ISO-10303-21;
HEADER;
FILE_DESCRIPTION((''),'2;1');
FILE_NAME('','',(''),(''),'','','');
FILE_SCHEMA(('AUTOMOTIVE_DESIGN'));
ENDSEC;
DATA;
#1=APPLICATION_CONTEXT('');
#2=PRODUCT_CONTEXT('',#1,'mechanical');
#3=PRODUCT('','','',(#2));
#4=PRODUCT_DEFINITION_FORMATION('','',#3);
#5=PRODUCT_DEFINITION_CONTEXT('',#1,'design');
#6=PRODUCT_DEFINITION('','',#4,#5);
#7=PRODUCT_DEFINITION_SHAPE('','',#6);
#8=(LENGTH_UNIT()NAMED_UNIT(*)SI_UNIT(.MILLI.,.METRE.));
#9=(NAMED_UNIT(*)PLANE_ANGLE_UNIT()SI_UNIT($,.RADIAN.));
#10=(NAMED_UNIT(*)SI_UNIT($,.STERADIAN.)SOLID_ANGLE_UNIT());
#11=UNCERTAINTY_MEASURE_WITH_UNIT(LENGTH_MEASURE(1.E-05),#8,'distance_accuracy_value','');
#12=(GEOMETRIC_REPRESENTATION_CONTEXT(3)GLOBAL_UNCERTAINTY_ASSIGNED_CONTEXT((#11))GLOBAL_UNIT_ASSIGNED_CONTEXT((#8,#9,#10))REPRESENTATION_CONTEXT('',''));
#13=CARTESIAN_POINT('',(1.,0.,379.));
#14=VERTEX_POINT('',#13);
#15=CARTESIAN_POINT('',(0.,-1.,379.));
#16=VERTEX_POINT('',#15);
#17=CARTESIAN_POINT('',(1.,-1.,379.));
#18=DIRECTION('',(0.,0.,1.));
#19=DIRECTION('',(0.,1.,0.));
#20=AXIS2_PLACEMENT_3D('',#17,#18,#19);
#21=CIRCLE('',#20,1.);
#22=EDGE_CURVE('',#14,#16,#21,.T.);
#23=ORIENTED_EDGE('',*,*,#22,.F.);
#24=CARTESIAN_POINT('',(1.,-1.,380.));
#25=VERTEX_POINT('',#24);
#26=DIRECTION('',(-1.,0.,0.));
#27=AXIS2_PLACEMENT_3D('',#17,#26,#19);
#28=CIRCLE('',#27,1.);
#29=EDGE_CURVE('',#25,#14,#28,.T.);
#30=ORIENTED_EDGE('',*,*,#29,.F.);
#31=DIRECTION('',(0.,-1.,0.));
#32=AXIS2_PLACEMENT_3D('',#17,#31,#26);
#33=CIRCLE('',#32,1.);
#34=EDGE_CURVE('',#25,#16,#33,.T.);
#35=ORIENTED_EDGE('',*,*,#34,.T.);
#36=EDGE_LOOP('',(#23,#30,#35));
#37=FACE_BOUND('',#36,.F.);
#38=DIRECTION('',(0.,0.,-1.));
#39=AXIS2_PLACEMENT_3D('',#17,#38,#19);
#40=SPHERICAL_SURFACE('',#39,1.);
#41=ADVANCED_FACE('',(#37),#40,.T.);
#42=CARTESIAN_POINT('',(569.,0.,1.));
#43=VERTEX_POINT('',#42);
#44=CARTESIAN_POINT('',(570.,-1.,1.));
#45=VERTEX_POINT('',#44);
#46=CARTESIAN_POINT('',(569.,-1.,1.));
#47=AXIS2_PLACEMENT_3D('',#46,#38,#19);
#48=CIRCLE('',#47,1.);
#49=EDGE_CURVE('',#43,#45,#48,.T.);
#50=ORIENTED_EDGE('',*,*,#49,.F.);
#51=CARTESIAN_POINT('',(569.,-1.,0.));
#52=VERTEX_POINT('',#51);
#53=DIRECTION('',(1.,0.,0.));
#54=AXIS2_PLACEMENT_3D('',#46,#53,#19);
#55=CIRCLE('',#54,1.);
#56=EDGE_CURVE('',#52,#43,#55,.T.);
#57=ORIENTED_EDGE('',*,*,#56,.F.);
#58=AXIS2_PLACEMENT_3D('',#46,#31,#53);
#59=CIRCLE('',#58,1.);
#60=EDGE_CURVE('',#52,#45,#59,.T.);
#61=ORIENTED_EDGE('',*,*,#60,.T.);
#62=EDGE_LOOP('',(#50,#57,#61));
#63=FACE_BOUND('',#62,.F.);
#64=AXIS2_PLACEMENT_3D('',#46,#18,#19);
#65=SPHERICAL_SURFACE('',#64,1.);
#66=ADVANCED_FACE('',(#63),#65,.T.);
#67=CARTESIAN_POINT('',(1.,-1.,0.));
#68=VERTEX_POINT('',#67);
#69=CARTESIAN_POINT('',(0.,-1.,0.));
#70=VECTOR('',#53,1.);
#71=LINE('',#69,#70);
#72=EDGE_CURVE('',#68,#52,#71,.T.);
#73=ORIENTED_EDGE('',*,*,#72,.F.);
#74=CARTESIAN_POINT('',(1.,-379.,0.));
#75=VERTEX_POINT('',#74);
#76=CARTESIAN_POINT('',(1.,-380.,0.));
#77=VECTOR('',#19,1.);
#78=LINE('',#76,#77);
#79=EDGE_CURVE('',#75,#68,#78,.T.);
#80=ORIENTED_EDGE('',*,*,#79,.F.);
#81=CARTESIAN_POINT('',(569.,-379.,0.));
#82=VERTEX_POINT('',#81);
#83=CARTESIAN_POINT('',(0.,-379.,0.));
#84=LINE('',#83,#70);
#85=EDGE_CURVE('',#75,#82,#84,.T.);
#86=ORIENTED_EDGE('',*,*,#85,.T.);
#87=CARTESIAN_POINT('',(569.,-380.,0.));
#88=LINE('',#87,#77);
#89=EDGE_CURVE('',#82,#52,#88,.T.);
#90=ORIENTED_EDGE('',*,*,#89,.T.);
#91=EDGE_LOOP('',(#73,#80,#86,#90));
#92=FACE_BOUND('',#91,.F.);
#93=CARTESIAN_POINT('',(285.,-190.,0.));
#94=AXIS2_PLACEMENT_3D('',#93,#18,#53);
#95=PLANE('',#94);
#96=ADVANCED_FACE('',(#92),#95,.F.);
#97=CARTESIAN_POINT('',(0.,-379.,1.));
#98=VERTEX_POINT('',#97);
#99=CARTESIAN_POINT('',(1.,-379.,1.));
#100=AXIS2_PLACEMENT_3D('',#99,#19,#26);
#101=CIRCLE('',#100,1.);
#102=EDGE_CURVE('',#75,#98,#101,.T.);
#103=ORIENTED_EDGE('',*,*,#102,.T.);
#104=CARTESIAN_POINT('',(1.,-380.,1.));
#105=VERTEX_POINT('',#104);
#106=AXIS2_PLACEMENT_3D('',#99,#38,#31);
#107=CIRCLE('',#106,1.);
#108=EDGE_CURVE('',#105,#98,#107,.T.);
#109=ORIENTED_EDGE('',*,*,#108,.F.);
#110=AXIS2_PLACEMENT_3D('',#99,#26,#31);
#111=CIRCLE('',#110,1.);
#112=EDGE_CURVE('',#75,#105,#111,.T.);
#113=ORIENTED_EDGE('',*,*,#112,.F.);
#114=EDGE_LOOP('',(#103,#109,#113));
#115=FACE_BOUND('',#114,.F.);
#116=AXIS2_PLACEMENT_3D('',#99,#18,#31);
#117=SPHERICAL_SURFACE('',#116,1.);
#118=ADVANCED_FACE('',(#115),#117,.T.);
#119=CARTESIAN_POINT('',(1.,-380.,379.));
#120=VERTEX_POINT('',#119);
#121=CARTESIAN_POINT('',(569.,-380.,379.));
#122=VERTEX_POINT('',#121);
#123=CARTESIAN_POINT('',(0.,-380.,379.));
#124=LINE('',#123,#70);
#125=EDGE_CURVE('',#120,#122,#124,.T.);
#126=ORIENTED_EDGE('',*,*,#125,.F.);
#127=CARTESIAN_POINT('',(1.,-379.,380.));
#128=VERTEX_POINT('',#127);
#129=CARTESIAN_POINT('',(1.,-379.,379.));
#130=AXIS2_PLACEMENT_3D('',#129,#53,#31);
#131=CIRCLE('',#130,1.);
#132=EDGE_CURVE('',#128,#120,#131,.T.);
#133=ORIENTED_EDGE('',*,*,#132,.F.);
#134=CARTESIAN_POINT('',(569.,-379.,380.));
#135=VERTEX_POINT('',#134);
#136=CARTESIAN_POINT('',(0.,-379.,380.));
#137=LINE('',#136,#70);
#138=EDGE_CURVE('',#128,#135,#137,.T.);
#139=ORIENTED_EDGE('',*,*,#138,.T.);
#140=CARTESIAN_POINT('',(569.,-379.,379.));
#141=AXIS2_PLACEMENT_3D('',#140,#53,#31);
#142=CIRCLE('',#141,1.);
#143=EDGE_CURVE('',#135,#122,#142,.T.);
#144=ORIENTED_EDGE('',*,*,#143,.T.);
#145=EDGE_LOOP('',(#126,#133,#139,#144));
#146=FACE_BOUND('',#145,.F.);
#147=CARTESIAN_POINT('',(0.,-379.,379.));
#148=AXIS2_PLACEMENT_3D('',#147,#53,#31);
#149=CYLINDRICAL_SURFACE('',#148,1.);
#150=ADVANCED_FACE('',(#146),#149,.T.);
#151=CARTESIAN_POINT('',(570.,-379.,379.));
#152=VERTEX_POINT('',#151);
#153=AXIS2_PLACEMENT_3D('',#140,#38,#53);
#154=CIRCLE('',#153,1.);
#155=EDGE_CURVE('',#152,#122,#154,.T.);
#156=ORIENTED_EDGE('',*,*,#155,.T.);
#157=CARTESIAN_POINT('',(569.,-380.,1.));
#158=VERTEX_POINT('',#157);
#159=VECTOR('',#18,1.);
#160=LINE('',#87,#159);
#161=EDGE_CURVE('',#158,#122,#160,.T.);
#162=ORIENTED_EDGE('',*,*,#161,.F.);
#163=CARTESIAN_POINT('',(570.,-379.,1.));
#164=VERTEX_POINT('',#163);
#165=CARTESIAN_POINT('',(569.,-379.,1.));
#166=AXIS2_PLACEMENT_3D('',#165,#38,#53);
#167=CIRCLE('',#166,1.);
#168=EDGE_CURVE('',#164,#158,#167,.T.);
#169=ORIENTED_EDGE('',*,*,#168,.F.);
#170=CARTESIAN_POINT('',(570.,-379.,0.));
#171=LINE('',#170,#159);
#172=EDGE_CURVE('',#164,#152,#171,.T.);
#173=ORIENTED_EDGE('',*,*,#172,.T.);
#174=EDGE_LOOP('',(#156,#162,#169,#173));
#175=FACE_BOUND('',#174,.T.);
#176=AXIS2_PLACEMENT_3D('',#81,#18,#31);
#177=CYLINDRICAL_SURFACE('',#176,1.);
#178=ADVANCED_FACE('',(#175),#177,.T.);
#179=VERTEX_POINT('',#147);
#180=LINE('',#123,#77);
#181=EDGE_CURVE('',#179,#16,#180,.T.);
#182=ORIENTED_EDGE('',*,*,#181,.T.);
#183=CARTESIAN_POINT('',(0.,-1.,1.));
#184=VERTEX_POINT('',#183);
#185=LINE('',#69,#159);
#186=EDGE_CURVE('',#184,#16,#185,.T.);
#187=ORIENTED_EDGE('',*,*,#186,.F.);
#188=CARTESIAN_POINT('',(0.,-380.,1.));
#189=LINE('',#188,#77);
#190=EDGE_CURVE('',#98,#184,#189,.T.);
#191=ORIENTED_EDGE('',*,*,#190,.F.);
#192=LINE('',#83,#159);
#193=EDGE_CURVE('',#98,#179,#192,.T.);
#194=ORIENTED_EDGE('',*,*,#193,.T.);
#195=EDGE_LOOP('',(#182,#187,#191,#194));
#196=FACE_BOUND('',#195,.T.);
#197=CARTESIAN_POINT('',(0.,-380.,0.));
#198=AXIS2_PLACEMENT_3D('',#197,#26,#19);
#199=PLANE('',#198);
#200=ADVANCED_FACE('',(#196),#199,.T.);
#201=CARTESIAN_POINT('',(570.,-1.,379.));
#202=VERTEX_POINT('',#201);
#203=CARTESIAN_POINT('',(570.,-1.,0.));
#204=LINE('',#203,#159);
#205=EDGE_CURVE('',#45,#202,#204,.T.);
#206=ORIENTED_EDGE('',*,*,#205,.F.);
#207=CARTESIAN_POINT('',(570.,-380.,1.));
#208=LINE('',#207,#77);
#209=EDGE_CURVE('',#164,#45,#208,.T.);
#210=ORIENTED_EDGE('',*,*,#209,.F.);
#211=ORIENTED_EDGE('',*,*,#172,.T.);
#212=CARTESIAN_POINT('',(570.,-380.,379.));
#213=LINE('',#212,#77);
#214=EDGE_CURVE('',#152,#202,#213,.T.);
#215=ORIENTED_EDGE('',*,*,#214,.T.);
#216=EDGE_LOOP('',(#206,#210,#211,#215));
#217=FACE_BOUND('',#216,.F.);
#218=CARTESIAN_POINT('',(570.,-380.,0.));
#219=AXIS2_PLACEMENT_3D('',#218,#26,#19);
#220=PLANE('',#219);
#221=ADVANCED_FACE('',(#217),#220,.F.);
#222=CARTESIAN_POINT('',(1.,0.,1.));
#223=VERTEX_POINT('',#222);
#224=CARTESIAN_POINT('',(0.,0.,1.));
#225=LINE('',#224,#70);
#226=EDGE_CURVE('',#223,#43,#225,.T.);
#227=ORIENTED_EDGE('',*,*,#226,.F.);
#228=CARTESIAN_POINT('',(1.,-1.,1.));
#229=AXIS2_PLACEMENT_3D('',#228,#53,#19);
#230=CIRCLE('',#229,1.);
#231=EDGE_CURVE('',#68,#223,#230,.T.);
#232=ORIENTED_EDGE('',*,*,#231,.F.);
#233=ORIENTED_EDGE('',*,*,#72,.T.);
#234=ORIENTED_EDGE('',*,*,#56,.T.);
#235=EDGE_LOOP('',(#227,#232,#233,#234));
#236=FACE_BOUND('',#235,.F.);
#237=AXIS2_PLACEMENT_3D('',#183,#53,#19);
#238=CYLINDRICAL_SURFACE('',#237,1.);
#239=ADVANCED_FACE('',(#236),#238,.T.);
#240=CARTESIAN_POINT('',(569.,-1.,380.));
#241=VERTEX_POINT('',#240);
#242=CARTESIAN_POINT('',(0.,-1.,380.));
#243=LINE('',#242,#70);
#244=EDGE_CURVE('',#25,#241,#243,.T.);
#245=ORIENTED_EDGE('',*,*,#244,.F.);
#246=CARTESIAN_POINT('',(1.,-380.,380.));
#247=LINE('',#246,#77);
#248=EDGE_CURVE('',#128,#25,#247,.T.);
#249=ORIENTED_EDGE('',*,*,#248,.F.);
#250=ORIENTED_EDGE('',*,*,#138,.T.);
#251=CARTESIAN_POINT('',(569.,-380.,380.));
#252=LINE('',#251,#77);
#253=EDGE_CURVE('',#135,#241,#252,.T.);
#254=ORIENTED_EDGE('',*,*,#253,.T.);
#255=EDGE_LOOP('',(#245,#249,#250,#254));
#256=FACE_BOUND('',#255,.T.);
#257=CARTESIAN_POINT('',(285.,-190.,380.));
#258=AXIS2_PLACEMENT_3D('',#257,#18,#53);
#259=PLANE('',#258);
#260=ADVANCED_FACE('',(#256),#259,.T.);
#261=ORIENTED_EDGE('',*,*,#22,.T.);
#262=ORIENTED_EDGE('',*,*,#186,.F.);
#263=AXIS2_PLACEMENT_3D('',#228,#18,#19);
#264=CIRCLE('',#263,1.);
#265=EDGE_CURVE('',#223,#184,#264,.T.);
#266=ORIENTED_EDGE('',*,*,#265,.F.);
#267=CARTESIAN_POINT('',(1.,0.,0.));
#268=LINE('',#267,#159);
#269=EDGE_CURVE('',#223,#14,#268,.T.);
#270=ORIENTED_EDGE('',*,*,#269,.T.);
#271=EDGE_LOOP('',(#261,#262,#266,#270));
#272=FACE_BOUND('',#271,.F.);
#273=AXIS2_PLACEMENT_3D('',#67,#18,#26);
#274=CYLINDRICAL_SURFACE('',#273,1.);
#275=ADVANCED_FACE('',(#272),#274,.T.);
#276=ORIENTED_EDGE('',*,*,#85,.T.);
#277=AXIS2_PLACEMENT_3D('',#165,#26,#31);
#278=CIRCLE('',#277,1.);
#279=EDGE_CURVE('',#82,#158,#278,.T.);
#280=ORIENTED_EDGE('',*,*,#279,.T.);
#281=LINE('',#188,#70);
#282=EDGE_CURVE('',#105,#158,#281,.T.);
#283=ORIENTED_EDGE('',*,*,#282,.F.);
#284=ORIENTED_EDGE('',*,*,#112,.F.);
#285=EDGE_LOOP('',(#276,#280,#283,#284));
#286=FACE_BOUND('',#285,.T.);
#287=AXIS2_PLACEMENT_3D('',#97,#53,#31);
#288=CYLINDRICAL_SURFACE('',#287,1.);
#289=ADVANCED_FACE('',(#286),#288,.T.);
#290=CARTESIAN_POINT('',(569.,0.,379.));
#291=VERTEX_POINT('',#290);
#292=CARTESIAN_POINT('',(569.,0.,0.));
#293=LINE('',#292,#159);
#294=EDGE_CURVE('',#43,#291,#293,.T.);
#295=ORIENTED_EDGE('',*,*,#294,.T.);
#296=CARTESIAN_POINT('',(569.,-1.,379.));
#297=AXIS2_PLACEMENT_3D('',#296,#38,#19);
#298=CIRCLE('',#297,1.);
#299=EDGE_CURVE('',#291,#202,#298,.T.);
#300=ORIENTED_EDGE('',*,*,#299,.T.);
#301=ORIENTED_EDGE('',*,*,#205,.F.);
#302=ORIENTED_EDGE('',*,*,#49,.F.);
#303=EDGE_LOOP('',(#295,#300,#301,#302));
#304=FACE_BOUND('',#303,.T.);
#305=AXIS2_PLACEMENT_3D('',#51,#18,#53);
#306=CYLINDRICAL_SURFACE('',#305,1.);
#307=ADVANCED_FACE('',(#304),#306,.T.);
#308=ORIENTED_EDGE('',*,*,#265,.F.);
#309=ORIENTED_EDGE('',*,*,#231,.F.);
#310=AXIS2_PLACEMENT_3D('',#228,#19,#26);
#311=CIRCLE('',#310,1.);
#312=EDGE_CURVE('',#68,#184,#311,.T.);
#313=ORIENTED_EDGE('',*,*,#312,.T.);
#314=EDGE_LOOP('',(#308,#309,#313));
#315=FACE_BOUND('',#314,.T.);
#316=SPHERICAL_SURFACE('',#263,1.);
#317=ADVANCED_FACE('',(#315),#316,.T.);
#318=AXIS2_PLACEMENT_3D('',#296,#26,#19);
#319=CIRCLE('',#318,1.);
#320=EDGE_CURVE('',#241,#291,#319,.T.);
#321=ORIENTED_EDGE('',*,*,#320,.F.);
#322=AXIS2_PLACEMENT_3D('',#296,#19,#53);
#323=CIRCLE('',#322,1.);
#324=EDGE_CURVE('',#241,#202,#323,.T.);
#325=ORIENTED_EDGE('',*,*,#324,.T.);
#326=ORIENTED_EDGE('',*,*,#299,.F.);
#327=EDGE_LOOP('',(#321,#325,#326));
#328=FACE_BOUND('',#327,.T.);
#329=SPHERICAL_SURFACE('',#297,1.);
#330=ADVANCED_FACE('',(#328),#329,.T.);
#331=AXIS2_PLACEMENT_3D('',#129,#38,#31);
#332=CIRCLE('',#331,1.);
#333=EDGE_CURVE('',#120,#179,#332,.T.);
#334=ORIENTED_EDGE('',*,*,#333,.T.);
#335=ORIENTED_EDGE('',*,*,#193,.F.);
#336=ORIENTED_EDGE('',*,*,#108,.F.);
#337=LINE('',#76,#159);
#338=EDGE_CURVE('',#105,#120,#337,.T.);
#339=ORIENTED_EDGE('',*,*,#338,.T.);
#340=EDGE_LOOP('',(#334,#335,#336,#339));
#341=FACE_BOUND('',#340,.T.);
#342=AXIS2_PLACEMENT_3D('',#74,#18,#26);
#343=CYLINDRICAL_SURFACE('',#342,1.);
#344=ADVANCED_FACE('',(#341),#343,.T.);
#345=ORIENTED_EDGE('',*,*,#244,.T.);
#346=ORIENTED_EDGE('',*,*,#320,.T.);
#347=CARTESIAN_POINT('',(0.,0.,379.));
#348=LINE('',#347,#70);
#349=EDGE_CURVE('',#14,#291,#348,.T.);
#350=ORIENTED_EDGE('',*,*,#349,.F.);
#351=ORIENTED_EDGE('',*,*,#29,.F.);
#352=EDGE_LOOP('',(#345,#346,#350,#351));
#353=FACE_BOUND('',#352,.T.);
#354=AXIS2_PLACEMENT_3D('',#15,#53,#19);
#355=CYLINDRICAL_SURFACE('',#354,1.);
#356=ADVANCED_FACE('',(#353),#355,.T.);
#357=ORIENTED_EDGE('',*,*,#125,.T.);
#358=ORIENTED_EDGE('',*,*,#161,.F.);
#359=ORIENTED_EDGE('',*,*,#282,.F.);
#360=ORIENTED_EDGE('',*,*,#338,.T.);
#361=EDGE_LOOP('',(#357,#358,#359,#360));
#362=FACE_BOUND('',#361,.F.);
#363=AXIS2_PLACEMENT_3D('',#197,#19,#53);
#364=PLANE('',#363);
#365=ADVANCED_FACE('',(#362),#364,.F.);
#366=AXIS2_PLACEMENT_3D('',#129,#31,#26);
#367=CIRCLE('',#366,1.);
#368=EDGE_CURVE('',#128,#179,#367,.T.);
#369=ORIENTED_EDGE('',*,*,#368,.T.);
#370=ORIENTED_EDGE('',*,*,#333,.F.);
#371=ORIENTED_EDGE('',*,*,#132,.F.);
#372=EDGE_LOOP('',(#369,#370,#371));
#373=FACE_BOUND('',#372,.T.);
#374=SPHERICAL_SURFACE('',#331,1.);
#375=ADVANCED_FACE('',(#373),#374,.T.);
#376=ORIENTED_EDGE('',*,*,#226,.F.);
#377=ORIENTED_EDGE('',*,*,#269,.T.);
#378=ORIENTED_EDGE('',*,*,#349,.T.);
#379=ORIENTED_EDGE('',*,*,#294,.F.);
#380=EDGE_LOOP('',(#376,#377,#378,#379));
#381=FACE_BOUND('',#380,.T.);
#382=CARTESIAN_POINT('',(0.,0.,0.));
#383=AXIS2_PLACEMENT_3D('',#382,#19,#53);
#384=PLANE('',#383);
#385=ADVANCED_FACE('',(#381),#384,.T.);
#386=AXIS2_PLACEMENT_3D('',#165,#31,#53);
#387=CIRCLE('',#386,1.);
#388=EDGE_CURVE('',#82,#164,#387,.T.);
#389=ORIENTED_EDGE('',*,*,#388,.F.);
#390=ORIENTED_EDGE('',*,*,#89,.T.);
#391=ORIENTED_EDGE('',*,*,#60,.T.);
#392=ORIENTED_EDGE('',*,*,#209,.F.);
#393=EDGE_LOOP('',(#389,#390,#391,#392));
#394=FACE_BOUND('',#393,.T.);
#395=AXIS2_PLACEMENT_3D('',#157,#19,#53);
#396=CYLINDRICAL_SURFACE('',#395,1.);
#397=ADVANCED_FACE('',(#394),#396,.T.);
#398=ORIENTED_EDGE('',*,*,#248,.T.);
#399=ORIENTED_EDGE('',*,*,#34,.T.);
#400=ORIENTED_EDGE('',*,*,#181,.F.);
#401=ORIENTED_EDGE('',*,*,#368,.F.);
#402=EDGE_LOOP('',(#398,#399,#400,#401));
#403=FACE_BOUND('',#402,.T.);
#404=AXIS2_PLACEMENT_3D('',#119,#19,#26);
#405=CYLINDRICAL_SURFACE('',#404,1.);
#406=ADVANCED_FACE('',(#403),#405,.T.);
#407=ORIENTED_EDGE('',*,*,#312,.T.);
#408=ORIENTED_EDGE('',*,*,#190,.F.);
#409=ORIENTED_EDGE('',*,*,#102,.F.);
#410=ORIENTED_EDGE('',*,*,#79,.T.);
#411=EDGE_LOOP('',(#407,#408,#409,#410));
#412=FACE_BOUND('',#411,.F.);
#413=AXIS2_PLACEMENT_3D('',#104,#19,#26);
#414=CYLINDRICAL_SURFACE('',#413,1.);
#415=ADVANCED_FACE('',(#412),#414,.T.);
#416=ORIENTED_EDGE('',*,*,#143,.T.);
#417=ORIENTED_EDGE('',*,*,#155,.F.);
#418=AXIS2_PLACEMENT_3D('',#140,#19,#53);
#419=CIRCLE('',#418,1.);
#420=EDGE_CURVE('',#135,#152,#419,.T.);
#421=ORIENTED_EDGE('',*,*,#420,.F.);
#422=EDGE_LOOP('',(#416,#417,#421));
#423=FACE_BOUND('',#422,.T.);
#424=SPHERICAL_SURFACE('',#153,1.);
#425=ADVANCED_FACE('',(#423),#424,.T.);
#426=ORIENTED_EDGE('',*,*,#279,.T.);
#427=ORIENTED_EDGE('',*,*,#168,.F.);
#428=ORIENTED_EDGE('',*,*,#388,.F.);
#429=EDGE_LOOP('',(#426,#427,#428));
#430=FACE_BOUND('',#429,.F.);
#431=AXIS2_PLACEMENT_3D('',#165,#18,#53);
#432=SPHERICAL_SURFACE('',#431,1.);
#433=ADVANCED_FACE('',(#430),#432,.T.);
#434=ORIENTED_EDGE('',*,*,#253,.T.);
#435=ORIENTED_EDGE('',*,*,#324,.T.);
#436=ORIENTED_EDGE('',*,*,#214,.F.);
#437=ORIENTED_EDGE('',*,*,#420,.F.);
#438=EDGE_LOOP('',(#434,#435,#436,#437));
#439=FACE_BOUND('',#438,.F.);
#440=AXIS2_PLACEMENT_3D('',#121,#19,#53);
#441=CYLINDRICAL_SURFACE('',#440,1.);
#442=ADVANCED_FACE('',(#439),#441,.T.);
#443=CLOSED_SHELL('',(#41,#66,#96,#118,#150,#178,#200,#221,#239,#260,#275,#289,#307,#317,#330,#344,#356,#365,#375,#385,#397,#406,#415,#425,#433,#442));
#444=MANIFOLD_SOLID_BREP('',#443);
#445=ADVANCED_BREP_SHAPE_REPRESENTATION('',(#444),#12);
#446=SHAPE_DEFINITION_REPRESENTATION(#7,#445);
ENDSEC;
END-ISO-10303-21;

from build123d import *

# Parameters (mm, degrees)
SKETCH_W  = 570
SKETCH_H  = 380
PAD_DEPTH = 380
FILLET_R  = 1


with BuildPart() as part:
    # Sketch → Pad (new body)
    with BuildSketch(Plane.XY):
        with Locations((285, -190)):
            Rectangle(SKETCH_W, SKETCH_H)
    extrude(amount=PAD_DEPTH)

    # Fillet
    fillet_edges = [part.edges().sort_by_distance(p)[0] for p in [
        (0, 0, 190),
        (570, 0, 190),
        (285, 0, 0),
        (285, 0, 380),
        (570, -380, 190),
        (570, -190, 0),
        (570, -190, 380),
        (0, -380, 190),
        (285, -380, 0),
        (285, -380, 380),
        (0, -190, 0),
        (0, -190, 380),
    ]]
    fillet(fillet_edges, radius=FILLET_R)


solid = part.part
